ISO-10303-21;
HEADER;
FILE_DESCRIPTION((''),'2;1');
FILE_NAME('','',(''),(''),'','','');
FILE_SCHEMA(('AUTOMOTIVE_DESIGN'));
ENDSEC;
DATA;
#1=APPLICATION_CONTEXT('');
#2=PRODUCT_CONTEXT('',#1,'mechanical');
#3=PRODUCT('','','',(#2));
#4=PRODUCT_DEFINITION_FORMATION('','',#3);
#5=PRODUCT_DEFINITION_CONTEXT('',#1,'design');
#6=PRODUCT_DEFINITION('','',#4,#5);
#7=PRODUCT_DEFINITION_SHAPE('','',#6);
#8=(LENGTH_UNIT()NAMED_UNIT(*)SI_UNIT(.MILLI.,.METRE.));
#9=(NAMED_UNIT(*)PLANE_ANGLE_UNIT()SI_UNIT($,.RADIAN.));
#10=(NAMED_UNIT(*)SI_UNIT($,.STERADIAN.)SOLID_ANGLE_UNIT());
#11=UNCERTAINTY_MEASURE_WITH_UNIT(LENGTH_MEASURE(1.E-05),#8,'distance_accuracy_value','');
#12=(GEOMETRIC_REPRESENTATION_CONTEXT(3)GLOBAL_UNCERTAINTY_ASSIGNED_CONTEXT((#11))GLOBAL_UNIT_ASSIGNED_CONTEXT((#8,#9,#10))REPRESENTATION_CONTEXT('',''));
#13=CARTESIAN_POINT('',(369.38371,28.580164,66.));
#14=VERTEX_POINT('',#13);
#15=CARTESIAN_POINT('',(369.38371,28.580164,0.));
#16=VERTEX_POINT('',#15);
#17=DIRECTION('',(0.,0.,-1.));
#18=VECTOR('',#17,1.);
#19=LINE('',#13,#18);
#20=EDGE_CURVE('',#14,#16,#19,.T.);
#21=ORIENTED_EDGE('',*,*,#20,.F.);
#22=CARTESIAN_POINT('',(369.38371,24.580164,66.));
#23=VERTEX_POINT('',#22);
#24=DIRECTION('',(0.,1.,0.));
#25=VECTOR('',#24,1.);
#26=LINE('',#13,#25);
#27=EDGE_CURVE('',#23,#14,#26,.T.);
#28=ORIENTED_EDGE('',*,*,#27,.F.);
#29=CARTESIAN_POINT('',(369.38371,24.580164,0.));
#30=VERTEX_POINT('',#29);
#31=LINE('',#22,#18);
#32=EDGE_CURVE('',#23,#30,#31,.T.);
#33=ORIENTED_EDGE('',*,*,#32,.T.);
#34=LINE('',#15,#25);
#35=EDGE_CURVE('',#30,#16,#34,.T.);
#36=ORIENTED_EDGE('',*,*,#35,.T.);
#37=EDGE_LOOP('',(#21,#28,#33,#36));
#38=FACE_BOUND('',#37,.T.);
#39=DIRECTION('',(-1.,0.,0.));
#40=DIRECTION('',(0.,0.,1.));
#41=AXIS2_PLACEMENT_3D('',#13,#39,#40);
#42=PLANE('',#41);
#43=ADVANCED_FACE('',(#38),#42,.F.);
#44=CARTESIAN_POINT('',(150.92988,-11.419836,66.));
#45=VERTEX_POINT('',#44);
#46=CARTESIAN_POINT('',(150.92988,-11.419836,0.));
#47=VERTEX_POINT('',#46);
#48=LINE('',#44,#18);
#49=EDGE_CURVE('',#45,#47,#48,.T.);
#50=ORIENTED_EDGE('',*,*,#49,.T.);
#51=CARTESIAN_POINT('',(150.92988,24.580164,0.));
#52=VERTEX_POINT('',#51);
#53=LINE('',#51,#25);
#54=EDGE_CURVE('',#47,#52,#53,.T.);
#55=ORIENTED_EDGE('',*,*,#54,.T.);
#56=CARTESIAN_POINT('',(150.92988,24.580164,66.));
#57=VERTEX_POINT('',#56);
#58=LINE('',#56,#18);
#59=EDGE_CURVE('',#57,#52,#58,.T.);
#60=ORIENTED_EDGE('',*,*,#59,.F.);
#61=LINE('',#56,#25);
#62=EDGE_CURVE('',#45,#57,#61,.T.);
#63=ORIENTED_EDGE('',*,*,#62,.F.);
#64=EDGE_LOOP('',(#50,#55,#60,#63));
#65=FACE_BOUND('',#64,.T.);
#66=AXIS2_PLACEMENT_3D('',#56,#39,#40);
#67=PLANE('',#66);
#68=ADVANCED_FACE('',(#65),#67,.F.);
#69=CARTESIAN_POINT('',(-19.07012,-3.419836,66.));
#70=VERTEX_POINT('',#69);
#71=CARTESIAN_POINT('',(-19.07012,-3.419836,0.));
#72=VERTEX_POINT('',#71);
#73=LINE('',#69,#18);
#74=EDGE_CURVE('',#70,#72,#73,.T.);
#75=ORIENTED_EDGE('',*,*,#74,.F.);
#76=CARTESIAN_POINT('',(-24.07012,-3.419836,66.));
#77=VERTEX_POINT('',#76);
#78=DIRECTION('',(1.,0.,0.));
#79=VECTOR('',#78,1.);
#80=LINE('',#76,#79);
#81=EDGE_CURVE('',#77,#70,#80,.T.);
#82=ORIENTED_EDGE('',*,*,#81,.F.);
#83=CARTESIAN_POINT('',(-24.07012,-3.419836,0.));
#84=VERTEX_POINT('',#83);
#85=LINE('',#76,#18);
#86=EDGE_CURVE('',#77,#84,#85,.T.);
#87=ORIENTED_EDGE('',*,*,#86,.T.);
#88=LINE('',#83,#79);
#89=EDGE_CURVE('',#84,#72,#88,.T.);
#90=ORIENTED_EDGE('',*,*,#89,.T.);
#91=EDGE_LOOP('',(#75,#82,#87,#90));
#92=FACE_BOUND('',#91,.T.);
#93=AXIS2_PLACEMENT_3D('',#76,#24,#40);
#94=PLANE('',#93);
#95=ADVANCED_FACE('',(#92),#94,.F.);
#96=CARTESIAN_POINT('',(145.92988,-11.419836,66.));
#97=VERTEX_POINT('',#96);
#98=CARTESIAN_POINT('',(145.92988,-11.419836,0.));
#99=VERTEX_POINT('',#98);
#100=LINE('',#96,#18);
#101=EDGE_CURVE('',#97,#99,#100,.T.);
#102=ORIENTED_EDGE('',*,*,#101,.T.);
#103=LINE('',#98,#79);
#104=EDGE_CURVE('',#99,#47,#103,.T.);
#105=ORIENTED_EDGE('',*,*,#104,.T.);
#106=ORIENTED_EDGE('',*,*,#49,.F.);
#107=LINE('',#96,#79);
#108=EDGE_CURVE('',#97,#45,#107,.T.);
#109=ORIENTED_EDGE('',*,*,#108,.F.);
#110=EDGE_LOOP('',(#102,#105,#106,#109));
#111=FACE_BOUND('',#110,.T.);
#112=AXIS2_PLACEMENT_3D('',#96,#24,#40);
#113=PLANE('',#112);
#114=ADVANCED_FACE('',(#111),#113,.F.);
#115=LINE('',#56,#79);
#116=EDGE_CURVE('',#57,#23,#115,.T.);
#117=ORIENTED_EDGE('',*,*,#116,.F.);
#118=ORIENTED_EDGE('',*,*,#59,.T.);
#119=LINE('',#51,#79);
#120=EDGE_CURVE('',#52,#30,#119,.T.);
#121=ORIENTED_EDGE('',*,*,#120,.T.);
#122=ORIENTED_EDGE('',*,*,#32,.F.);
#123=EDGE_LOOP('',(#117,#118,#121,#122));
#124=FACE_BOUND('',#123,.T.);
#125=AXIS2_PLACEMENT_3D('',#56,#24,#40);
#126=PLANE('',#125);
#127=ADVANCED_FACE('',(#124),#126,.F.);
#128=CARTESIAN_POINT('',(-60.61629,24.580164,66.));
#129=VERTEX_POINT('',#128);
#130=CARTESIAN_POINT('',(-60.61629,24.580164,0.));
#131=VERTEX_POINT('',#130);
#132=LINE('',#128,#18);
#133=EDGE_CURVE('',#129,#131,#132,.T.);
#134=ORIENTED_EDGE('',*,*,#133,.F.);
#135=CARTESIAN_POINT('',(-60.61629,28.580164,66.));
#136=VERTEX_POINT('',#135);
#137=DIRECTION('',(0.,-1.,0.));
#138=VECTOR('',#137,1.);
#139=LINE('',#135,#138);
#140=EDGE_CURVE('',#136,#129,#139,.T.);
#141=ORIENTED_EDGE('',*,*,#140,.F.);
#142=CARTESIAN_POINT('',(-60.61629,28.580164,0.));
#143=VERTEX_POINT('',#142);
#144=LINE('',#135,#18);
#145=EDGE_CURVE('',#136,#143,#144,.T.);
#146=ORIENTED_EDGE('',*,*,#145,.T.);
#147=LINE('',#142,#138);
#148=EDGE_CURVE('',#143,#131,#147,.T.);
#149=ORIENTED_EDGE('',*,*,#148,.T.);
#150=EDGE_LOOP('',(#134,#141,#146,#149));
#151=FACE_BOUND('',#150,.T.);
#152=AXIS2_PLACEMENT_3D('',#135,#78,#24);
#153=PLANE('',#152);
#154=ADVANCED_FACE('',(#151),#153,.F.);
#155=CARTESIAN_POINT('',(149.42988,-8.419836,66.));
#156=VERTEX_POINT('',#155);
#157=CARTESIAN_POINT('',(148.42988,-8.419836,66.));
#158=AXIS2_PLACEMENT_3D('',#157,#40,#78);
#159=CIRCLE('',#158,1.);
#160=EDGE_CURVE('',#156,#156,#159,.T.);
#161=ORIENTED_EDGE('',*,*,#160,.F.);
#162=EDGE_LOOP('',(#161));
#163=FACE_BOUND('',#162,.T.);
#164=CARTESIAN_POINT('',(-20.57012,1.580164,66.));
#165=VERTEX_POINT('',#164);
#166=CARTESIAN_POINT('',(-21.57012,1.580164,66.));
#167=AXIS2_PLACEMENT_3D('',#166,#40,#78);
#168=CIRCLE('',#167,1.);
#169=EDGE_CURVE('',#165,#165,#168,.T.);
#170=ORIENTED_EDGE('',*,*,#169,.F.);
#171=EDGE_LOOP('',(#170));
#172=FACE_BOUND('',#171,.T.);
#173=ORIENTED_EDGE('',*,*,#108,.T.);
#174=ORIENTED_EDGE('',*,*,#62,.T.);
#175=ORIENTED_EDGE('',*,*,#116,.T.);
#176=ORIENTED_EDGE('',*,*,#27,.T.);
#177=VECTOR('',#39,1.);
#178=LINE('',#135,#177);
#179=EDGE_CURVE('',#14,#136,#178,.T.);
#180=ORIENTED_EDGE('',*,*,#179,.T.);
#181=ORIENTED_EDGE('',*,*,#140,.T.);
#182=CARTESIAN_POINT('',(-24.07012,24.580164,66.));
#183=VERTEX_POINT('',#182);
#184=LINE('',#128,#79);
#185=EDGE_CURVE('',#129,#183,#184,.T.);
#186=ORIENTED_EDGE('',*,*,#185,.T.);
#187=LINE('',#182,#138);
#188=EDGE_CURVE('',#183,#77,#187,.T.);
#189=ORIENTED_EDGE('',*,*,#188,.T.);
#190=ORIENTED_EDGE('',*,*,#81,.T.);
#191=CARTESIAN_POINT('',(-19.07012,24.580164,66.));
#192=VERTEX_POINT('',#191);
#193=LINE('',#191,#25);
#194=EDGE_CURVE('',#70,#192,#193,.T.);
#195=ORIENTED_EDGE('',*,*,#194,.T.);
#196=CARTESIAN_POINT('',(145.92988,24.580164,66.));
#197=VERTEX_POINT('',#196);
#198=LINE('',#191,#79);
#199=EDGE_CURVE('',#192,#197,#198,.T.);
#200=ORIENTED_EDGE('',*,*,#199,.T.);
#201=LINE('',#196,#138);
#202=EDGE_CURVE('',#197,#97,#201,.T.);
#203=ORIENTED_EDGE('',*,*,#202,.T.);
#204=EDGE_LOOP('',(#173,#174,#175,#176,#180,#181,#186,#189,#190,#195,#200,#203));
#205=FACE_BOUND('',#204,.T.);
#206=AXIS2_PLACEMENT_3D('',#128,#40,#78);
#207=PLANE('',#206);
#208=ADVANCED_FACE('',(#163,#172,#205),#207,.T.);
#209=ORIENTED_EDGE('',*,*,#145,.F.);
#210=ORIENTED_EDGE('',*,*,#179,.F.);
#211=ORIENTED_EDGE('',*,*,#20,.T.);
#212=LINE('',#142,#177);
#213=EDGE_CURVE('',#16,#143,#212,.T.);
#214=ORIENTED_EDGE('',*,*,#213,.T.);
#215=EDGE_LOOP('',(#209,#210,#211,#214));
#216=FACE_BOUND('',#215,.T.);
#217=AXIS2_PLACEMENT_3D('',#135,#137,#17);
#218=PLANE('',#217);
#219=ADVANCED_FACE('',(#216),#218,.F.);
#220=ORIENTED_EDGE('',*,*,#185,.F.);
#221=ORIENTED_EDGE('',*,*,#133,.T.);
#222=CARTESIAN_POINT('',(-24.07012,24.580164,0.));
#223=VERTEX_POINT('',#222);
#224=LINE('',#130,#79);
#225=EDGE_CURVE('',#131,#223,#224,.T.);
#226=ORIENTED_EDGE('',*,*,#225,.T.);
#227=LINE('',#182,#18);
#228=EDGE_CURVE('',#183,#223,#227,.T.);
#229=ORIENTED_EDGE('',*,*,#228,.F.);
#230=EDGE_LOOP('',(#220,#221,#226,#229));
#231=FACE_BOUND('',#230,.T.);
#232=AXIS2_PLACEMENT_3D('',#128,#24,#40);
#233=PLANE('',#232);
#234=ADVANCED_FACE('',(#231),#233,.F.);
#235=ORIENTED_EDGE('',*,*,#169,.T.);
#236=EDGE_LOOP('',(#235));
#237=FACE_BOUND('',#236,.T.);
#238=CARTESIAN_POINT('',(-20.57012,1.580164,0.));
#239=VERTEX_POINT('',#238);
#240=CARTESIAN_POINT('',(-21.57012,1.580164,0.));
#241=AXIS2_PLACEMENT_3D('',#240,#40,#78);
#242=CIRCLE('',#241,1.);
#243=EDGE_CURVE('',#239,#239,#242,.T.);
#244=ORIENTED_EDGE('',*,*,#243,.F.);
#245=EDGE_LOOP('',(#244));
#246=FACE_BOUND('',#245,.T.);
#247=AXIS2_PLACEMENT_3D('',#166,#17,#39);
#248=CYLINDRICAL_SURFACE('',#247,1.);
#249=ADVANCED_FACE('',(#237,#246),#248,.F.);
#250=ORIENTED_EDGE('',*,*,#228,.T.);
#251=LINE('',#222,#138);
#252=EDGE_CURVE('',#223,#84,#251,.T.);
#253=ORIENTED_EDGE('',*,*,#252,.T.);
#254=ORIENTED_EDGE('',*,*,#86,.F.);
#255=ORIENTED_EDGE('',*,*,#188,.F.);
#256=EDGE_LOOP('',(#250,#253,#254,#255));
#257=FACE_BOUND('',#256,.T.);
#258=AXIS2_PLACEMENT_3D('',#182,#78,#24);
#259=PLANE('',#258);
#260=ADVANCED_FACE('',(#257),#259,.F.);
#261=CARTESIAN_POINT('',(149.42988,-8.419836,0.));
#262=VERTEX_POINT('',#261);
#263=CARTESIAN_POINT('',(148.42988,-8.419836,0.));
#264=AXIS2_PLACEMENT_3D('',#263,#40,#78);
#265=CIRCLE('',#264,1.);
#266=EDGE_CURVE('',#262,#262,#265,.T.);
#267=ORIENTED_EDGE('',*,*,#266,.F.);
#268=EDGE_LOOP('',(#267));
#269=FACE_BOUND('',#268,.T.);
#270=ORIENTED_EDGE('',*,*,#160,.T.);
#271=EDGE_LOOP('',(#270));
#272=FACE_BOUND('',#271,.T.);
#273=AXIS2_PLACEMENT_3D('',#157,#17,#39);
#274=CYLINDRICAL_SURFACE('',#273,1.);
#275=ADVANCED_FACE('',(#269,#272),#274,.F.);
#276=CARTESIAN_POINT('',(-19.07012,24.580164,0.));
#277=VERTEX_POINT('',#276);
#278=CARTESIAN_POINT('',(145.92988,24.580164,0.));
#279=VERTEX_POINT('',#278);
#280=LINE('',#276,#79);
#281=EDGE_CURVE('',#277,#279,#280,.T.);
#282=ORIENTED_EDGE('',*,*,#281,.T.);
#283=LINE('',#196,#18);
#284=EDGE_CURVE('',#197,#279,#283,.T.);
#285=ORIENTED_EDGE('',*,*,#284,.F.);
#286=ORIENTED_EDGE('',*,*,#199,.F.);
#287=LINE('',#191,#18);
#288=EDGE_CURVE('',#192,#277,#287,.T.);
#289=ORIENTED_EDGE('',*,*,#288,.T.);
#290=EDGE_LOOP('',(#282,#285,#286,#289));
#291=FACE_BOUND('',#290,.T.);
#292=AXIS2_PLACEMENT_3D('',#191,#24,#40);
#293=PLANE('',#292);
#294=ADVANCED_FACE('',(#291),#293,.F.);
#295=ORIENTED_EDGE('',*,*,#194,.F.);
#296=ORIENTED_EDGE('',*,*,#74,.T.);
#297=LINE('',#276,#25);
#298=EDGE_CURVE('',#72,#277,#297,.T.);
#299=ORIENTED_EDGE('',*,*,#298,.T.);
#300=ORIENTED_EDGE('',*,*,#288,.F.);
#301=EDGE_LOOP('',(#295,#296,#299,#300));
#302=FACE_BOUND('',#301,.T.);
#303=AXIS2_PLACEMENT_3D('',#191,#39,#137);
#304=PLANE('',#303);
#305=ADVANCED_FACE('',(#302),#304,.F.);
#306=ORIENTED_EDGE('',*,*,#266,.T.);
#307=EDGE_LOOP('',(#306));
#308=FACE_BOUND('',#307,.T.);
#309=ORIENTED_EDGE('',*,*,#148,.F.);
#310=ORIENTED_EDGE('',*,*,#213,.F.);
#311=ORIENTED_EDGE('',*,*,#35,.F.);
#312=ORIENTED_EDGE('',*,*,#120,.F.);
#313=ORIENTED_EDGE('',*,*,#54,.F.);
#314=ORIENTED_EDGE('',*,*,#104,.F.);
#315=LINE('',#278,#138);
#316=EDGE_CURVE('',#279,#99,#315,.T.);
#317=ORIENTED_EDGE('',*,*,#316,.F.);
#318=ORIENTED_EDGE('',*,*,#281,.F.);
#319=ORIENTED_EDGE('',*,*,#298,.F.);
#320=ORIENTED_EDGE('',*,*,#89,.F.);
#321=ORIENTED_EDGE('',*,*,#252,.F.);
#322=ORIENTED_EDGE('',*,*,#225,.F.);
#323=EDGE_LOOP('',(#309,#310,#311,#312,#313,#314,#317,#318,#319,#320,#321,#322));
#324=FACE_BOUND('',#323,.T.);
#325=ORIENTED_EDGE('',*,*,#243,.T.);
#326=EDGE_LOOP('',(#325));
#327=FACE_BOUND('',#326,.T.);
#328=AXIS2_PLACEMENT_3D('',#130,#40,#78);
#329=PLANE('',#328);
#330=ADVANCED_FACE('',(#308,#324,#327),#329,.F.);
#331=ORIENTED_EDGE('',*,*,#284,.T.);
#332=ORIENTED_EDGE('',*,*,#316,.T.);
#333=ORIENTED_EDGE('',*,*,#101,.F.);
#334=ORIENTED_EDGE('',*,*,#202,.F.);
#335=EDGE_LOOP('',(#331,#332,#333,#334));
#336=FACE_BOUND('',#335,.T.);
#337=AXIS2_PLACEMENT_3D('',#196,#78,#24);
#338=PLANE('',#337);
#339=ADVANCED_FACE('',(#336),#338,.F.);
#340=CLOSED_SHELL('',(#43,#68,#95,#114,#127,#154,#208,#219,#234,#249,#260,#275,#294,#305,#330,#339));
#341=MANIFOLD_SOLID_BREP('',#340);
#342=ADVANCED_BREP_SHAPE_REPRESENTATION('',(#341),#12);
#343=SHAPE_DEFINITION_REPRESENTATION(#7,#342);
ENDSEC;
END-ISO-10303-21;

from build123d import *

# Parameters (mm, degrees)
ESQUISSE1_R        = 1
BOSS_EXTRU_1_DEPTH = 66


with BuildPart() as part:
    # Esquisse1 → Boss.-Extru.1 (new body)
    with BuildSketch(Plane.XY):
        Polygon((-60.616290102, 24.580164319), (-24.070119878, 24.580164319), (-24.070119878, -3.419835681), (-19.070119878, -3.419835681), (-19.070119878, 24.580164319), (145.929880122, 24.580164319), (145.929880122, -11.419835681), (150.929880122, -11.419835681), (150.929880122, 24.580164319), (369.383709898, 24.580164319), (369.383709898, 28.580164319), (-60.616290102, 28.580164319), align=None)
        with Locations((148.429880122, -8.419835681)):
            Circle(ESQUISSE1_R, mode=Mode.SUBTRACT)
        with Locations((-21.570119878, 1.580164319)):
            Circle(ESQUISSE1_R, mode=Mode.SUBTRACT)
    extrude(amount=BOSS_EXTRU_1_DEPTH)


solid = part.part
